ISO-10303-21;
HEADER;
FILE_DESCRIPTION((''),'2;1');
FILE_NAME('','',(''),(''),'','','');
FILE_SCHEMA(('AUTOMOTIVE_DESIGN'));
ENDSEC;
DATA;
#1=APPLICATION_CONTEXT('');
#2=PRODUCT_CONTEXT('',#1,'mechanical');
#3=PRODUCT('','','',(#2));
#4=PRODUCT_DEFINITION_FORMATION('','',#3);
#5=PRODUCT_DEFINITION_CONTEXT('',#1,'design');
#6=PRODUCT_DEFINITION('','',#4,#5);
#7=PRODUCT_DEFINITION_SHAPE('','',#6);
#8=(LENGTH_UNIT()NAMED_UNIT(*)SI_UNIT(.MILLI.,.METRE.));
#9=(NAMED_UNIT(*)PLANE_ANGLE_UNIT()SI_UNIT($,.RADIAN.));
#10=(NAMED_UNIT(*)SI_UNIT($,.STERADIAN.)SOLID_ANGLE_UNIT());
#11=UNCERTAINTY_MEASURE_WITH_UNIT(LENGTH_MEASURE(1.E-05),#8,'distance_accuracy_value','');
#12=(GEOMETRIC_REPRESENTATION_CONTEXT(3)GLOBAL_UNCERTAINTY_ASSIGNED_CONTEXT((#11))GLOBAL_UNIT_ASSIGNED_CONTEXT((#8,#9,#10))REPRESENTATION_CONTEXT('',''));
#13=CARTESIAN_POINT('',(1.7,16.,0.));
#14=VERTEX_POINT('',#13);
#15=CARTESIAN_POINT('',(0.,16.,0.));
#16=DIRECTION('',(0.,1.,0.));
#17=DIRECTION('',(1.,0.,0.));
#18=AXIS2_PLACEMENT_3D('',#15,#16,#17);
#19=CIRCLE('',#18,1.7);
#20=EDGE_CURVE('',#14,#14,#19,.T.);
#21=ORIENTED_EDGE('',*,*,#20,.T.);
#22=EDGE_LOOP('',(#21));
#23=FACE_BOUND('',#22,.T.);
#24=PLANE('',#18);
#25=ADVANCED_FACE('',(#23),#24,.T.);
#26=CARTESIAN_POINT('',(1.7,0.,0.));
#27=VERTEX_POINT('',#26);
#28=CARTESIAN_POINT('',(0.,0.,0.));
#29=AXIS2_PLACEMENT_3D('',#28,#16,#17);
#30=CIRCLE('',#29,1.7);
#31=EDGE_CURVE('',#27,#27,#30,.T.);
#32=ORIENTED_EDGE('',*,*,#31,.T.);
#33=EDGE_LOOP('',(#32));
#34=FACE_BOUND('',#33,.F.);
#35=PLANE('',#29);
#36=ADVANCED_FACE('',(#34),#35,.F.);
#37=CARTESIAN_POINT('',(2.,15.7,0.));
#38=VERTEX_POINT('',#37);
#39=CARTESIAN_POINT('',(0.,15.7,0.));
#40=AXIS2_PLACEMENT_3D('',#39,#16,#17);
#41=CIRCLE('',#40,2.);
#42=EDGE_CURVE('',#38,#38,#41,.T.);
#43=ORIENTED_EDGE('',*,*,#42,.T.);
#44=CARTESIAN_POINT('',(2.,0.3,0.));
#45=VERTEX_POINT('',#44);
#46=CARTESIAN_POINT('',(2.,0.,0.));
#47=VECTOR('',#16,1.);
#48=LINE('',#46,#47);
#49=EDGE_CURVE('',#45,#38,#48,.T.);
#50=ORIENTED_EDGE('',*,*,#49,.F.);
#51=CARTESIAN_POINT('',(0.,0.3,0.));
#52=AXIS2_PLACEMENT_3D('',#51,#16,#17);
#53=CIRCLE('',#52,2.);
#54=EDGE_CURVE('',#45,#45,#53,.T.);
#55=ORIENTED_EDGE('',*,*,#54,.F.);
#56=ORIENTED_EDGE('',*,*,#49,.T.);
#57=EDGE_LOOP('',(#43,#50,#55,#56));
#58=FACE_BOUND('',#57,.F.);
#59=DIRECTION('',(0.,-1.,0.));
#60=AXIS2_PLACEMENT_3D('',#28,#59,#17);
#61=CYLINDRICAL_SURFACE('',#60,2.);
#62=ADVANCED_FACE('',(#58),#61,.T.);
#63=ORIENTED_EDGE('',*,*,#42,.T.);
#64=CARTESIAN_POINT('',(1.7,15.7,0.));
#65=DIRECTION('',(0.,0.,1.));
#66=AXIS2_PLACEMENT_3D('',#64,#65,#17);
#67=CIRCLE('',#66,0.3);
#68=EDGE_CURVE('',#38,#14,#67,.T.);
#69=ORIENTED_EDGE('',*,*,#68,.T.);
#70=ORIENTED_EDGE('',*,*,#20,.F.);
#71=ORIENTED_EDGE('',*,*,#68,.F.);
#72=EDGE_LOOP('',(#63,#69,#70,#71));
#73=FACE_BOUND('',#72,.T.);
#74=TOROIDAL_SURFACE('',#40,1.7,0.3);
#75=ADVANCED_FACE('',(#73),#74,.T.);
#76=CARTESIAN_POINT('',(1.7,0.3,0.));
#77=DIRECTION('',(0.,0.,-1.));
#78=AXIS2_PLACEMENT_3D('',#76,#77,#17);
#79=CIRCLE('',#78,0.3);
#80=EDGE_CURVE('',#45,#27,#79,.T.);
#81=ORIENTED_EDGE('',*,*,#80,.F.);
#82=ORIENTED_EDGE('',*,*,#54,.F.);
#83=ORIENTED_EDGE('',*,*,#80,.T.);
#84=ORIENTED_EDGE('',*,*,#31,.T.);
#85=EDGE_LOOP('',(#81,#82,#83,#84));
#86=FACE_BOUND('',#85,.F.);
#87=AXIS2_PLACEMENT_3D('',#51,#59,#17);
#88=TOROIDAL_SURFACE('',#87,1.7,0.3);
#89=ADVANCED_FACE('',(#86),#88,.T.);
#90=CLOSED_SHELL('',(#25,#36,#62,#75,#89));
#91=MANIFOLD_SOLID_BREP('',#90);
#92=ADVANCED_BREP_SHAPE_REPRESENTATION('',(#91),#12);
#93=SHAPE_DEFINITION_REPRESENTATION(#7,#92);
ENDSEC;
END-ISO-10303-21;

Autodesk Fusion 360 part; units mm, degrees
sketch "Sketch1" plane through (0, 0, 0) normal (0, 1, 0) x (1, 0, 0)
  circle A0 centre (0, 0) radius 2
  dimension "d1" = 4
extrude "Extrude1" add sketch "Sketch1" along normal blind 16
fillet "Fillet1" radius 0.3 2 edges at (-1.8647, 16, 0.7232) (-1.8647, 0, 0.7232)
